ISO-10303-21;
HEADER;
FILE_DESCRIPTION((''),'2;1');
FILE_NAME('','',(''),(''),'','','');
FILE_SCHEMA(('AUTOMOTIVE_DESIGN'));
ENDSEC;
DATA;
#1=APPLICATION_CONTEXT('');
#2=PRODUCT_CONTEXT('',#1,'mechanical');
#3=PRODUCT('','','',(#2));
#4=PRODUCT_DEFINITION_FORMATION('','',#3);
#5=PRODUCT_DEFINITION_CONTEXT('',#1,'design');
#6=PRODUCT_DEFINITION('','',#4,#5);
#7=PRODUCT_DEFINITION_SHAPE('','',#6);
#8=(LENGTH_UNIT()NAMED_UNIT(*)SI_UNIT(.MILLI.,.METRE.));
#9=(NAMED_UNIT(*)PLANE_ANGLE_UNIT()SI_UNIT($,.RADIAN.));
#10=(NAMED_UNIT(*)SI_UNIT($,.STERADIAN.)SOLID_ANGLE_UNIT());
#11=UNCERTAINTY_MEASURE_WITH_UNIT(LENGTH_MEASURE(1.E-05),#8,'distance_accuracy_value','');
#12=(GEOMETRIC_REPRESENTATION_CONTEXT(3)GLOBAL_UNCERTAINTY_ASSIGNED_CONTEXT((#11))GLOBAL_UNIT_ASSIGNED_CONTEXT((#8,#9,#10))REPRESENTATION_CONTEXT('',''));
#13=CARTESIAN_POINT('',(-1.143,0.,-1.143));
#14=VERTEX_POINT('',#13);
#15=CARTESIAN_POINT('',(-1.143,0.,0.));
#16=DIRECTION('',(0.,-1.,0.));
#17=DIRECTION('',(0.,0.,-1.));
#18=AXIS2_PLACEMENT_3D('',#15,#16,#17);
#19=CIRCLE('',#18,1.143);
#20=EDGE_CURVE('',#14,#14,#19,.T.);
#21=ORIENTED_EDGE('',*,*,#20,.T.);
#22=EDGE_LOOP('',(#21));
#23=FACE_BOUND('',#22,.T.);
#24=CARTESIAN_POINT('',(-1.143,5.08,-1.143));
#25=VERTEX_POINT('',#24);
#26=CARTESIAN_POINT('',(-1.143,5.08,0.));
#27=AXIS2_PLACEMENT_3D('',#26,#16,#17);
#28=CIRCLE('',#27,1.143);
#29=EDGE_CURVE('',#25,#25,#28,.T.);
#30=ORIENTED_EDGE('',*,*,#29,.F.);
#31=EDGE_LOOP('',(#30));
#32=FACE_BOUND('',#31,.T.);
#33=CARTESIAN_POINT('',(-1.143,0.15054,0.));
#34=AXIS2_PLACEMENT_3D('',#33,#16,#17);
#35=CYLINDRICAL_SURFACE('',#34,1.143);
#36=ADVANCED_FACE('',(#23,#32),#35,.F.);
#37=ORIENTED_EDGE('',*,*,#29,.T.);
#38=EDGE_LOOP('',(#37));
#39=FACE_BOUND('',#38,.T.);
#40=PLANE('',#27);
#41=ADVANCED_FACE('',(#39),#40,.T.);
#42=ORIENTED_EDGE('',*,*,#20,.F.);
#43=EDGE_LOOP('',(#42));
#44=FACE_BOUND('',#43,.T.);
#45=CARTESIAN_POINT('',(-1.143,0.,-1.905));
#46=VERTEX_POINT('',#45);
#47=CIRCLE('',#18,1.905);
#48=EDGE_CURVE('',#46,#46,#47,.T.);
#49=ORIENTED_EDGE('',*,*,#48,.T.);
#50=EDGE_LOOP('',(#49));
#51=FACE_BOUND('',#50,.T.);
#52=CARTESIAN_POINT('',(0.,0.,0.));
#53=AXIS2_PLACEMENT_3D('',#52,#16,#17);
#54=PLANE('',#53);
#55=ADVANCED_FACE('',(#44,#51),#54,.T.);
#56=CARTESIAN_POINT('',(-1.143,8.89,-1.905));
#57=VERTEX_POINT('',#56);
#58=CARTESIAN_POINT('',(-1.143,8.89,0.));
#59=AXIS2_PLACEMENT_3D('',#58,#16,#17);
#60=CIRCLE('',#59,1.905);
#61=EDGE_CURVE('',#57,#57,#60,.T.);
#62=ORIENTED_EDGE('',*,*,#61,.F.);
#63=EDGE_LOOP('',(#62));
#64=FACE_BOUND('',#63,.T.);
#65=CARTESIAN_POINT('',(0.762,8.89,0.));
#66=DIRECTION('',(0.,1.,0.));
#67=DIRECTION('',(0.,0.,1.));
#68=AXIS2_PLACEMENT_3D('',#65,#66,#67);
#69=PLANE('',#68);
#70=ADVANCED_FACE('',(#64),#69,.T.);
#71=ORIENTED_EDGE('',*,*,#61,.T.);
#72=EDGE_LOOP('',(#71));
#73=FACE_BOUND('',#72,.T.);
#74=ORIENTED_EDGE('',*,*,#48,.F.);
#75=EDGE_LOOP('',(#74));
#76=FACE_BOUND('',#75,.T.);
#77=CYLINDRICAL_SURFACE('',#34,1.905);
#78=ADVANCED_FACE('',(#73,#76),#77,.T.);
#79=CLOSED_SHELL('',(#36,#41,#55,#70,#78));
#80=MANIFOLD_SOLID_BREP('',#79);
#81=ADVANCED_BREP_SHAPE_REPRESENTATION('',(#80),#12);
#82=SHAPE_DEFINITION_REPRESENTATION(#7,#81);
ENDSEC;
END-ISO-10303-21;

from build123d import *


with BuildPart() as part:
    # Sketch1 → Revolve1 (revolve)
    with BuildSketch(Plane.XY):
        Polygon((0, 0), (0.762, 0), (0.762, 8.89), (-1.143, 8.89), (-1.143, 5.08), (0, 5.08), align=None)
    revolve(axis=Axis((-1.143, 0.150539844, 0), (0, 1, 0)))


solid = part.part
